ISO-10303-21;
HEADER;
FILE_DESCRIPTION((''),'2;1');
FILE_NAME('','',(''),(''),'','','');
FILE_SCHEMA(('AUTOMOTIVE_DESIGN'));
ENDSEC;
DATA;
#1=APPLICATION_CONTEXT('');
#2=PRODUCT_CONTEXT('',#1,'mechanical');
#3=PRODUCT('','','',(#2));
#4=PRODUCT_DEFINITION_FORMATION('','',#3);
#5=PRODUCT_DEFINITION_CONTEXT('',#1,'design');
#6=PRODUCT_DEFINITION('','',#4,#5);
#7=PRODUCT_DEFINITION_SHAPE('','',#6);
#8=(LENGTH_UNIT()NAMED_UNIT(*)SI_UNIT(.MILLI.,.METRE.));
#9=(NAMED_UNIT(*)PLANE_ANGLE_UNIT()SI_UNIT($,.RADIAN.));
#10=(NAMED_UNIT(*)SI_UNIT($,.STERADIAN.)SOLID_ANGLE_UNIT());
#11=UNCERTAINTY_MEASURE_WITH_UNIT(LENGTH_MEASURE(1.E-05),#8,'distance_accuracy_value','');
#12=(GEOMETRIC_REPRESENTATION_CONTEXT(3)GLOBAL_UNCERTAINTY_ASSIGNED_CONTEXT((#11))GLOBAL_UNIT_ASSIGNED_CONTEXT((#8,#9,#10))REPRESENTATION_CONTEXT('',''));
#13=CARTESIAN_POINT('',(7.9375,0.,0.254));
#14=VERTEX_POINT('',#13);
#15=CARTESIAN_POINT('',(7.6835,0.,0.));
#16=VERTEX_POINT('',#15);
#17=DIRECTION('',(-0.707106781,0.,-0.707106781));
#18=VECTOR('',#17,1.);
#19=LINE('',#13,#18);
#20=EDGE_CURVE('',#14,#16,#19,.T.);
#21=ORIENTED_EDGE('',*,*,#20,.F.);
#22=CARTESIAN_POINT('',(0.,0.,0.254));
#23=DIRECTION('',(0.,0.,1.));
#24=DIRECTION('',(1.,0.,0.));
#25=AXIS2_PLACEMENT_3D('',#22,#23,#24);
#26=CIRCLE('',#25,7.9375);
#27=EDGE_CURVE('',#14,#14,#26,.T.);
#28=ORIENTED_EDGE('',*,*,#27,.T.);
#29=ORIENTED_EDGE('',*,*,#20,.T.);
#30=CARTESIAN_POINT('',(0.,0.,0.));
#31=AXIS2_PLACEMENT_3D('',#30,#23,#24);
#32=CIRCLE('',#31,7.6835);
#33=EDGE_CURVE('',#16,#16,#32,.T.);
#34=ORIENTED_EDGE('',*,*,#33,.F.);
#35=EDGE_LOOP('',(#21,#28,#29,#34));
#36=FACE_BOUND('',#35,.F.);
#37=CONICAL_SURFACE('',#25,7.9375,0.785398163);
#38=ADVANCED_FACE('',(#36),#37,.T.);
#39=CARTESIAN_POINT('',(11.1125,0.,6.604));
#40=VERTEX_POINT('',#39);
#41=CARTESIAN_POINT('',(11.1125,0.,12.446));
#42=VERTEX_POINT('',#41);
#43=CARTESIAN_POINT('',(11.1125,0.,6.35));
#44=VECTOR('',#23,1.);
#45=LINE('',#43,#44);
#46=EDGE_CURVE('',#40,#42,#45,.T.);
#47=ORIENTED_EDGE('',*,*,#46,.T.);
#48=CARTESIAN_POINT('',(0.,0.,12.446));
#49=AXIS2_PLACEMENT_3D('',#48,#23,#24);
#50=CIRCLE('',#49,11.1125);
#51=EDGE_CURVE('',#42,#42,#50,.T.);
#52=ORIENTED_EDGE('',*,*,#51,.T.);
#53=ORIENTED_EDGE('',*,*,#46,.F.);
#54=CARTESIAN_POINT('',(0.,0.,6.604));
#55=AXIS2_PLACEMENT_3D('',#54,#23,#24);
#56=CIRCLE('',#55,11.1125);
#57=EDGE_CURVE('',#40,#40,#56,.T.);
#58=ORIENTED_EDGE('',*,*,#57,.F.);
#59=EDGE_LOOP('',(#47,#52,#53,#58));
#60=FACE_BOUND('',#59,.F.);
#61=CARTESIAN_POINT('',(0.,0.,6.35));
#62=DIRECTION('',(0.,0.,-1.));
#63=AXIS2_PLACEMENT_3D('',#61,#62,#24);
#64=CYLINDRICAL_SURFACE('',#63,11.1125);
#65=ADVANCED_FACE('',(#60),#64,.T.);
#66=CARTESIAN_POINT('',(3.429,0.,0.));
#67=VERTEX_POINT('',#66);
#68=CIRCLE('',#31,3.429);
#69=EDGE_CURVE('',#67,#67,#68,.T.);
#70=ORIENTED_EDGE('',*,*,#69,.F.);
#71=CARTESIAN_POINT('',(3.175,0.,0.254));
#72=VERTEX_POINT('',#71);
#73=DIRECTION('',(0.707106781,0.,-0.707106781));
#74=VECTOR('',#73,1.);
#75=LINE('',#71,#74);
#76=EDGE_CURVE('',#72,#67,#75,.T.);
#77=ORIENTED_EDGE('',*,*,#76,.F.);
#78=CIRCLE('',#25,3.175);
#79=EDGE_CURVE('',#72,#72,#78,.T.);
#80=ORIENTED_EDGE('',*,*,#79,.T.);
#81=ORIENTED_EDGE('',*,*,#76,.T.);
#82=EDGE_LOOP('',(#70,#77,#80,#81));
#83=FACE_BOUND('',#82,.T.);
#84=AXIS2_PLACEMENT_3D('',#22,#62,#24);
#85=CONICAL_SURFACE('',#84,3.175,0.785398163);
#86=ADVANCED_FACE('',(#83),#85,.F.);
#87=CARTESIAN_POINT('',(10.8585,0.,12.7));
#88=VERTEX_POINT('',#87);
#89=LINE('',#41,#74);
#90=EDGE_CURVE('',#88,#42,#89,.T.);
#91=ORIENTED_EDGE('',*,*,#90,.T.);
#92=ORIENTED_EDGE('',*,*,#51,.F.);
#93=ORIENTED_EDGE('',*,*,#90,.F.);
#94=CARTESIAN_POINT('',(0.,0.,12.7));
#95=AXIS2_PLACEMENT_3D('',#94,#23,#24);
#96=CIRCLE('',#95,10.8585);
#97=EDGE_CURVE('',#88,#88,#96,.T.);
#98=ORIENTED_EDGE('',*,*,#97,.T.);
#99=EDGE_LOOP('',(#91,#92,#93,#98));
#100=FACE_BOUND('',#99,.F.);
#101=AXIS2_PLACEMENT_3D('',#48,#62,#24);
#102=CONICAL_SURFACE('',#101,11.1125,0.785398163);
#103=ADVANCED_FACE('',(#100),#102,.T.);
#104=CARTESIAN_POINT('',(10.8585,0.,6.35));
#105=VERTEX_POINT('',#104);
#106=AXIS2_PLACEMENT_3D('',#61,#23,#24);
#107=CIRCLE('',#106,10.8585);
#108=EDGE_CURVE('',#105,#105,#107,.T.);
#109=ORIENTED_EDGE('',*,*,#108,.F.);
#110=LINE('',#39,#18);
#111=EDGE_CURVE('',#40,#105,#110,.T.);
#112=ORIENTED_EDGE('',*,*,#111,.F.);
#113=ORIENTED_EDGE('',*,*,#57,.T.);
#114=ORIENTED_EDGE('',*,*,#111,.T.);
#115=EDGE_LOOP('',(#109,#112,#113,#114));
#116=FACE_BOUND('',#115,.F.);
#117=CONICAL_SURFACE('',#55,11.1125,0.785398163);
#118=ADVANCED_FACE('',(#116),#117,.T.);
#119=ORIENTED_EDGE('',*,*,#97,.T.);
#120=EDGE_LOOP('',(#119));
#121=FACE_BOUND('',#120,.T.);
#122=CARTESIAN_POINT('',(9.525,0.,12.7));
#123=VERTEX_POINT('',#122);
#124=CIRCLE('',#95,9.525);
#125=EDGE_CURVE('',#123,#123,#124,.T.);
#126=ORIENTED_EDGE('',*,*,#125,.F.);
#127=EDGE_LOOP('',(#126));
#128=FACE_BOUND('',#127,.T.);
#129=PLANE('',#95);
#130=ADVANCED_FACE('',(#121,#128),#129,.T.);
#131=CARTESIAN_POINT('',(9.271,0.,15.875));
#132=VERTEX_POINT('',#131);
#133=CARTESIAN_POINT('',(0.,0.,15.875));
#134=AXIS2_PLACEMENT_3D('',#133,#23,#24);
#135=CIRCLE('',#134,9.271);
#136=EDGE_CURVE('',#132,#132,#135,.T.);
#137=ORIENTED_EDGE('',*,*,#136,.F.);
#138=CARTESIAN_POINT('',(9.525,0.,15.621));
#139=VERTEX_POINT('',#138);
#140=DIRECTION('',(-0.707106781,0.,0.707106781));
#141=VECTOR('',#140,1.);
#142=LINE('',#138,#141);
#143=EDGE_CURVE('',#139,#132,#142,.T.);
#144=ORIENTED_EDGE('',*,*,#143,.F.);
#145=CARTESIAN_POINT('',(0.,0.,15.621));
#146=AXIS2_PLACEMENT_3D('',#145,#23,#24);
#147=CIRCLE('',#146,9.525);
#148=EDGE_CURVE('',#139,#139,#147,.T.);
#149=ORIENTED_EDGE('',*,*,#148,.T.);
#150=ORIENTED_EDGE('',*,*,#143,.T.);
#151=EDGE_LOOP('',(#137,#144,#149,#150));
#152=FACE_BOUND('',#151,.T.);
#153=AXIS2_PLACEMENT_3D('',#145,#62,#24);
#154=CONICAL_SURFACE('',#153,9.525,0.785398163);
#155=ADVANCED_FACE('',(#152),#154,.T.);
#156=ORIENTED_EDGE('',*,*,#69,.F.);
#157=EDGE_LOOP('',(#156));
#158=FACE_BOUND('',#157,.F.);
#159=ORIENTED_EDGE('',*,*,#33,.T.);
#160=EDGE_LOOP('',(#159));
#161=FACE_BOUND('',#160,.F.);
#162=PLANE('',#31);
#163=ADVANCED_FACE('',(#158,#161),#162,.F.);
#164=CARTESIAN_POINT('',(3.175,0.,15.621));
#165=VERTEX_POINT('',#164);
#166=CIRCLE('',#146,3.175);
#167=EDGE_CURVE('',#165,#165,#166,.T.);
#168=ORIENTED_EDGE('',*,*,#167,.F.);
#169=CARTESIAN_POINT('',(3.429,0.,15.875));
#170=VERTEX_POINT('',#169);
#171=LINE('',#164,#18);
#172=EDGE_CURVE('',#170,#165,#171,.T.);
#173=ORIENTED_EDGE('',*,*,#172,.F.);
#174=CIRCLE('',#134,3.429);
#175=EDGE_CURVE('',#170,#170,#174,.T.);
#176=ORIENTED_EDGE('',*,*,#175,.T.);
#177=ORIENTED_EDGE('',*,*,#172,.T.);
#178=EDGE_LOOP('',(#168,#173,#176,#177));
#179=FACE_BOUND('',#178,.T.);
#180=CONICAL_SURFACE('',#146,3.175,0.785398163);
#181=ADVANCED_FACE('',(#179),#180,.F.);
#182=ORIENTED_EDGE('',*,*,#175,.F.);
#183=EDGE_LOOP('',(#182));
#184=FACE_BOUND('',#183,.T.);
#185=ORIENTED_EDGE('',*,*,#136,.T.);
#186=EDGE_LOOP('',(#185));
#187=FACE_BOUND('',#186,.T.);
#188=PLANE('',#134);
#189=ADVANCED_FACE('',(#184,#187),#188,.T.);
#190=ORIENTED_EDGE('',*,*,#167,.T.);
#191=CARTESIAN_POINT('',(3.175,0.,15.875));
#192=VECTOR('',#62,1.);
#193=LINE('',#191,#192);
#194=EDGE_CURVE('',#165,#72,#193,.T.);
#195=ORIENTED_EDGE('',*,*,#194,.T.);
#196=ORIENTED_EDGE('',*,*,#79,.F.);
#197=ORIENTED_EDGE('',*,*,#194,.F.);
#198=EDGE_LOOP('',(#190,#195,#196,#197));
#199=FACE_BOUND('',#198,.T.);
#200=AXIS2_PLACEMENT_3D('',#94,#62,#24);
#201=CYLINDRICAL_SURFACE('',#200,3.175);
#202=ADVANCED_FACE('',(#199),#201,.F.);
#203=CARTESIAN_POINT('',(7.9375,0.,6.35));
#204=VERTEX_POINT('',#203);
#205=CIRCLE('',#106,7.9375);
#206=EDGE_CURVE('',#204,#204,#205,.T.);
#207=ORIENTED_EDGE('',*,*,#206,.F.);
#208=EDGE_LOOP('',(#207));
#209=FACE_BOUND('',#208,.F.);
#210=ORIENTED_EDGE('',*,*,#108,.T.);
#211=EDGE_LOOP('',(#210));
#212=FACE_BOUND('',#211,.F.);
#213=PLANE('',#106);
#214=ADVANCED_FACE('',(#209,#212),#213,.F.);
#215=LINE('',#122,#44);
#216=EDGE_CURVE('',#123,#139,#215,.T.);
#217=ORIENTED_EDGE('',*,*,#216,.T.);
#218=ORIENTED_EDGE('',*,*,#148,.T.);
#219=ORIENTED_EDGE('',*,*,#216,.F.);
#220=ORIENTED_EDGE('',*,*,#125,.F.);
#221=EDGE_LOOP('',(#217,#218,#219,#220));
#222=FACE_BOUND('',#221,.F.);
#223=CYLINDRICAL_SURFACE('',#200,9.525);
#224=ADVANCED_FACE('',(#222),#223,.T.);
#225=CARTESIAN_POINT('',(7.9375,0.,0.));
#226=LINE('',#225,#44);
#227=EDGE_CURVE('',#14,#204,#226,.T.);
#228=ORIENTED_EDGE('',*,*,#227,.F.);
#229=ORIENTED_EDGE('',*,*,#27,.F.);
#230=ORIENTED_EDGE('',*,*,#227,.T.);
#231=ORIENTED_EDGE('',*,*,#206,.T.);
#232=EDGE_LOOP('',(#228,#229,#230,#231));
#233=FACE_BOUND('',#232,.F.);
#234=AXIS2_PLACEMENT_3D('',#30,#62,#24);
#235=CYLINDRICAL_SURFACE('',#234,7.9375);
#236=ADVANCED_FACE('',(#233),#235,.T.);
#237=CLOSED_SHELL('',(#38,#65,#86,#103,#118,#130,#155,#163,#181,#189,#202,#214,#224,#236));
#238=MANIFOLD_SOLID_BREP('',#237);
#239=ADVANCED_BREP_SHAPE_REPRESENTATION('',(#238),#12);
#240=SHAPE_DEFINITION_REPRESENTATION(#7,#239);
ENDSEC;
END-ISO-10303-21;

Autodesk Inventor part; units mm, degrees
ref_plane "YZ Plane" through (0, 0, 0) normal (1, 0, 0) x (0, 1, 0)
ref_plane "XZ Plane" through (0, 0, 0) normal (0, 1, 0) x (-1, 0, 0)
ref_plane "XY Plane" through (0, 0, 0) normal (0, 0, 1) x (1, 0, 0)
sketch "Sketch1" plane through (0, 0, 0) normal (0, 0, 1) x (1, 0, 0)
  circle A0 centre (0, 0) radius 7.9375
  circle A1 centre (0, 0) radius 3.175
extrude "Extrusion1" add sketch "Sketch1" along normal blind 6.35
sketch "Sketch2" plane through (0, 0, 6.35) normal (0, 0, 1) x (1, 0, 0)
  circle A0 centre (0, 0) radius 3.175 projected
  circle A1 centre (0, 0) radius 7.9375 projected
  circle A2 centre (0, 0) radius 11.1125
extrude "Extrusion2" add sketch "Sketch2" along normal blind 6.35 contours A1 | A2
sketch "Sketch3" plane through (0, 0, 12.7) normal (0, 0, 1) x (1, 0, 0)
  circle A0 centre (0, 0) radius 3.175 projected
  circle A1 centre (0, 0) radius 11.1125 projected
  circle A2 centre (0, 0) radius 9.525
extrude "Extrusion3" add sketch "Sketch3" along normal blind 3.175 contours A2
chamfer "Chamfer1" distance 0.254 angle 45 6 edges at (-9.525, 0, 15.875) (-3.175, 0, 15.875) (-11.1125, 0, 12.7) (-11.1125, 0, 6.35) (-7.9375, 0, 0) (-3.175, 0, 0)
properties part number "cyl head"
